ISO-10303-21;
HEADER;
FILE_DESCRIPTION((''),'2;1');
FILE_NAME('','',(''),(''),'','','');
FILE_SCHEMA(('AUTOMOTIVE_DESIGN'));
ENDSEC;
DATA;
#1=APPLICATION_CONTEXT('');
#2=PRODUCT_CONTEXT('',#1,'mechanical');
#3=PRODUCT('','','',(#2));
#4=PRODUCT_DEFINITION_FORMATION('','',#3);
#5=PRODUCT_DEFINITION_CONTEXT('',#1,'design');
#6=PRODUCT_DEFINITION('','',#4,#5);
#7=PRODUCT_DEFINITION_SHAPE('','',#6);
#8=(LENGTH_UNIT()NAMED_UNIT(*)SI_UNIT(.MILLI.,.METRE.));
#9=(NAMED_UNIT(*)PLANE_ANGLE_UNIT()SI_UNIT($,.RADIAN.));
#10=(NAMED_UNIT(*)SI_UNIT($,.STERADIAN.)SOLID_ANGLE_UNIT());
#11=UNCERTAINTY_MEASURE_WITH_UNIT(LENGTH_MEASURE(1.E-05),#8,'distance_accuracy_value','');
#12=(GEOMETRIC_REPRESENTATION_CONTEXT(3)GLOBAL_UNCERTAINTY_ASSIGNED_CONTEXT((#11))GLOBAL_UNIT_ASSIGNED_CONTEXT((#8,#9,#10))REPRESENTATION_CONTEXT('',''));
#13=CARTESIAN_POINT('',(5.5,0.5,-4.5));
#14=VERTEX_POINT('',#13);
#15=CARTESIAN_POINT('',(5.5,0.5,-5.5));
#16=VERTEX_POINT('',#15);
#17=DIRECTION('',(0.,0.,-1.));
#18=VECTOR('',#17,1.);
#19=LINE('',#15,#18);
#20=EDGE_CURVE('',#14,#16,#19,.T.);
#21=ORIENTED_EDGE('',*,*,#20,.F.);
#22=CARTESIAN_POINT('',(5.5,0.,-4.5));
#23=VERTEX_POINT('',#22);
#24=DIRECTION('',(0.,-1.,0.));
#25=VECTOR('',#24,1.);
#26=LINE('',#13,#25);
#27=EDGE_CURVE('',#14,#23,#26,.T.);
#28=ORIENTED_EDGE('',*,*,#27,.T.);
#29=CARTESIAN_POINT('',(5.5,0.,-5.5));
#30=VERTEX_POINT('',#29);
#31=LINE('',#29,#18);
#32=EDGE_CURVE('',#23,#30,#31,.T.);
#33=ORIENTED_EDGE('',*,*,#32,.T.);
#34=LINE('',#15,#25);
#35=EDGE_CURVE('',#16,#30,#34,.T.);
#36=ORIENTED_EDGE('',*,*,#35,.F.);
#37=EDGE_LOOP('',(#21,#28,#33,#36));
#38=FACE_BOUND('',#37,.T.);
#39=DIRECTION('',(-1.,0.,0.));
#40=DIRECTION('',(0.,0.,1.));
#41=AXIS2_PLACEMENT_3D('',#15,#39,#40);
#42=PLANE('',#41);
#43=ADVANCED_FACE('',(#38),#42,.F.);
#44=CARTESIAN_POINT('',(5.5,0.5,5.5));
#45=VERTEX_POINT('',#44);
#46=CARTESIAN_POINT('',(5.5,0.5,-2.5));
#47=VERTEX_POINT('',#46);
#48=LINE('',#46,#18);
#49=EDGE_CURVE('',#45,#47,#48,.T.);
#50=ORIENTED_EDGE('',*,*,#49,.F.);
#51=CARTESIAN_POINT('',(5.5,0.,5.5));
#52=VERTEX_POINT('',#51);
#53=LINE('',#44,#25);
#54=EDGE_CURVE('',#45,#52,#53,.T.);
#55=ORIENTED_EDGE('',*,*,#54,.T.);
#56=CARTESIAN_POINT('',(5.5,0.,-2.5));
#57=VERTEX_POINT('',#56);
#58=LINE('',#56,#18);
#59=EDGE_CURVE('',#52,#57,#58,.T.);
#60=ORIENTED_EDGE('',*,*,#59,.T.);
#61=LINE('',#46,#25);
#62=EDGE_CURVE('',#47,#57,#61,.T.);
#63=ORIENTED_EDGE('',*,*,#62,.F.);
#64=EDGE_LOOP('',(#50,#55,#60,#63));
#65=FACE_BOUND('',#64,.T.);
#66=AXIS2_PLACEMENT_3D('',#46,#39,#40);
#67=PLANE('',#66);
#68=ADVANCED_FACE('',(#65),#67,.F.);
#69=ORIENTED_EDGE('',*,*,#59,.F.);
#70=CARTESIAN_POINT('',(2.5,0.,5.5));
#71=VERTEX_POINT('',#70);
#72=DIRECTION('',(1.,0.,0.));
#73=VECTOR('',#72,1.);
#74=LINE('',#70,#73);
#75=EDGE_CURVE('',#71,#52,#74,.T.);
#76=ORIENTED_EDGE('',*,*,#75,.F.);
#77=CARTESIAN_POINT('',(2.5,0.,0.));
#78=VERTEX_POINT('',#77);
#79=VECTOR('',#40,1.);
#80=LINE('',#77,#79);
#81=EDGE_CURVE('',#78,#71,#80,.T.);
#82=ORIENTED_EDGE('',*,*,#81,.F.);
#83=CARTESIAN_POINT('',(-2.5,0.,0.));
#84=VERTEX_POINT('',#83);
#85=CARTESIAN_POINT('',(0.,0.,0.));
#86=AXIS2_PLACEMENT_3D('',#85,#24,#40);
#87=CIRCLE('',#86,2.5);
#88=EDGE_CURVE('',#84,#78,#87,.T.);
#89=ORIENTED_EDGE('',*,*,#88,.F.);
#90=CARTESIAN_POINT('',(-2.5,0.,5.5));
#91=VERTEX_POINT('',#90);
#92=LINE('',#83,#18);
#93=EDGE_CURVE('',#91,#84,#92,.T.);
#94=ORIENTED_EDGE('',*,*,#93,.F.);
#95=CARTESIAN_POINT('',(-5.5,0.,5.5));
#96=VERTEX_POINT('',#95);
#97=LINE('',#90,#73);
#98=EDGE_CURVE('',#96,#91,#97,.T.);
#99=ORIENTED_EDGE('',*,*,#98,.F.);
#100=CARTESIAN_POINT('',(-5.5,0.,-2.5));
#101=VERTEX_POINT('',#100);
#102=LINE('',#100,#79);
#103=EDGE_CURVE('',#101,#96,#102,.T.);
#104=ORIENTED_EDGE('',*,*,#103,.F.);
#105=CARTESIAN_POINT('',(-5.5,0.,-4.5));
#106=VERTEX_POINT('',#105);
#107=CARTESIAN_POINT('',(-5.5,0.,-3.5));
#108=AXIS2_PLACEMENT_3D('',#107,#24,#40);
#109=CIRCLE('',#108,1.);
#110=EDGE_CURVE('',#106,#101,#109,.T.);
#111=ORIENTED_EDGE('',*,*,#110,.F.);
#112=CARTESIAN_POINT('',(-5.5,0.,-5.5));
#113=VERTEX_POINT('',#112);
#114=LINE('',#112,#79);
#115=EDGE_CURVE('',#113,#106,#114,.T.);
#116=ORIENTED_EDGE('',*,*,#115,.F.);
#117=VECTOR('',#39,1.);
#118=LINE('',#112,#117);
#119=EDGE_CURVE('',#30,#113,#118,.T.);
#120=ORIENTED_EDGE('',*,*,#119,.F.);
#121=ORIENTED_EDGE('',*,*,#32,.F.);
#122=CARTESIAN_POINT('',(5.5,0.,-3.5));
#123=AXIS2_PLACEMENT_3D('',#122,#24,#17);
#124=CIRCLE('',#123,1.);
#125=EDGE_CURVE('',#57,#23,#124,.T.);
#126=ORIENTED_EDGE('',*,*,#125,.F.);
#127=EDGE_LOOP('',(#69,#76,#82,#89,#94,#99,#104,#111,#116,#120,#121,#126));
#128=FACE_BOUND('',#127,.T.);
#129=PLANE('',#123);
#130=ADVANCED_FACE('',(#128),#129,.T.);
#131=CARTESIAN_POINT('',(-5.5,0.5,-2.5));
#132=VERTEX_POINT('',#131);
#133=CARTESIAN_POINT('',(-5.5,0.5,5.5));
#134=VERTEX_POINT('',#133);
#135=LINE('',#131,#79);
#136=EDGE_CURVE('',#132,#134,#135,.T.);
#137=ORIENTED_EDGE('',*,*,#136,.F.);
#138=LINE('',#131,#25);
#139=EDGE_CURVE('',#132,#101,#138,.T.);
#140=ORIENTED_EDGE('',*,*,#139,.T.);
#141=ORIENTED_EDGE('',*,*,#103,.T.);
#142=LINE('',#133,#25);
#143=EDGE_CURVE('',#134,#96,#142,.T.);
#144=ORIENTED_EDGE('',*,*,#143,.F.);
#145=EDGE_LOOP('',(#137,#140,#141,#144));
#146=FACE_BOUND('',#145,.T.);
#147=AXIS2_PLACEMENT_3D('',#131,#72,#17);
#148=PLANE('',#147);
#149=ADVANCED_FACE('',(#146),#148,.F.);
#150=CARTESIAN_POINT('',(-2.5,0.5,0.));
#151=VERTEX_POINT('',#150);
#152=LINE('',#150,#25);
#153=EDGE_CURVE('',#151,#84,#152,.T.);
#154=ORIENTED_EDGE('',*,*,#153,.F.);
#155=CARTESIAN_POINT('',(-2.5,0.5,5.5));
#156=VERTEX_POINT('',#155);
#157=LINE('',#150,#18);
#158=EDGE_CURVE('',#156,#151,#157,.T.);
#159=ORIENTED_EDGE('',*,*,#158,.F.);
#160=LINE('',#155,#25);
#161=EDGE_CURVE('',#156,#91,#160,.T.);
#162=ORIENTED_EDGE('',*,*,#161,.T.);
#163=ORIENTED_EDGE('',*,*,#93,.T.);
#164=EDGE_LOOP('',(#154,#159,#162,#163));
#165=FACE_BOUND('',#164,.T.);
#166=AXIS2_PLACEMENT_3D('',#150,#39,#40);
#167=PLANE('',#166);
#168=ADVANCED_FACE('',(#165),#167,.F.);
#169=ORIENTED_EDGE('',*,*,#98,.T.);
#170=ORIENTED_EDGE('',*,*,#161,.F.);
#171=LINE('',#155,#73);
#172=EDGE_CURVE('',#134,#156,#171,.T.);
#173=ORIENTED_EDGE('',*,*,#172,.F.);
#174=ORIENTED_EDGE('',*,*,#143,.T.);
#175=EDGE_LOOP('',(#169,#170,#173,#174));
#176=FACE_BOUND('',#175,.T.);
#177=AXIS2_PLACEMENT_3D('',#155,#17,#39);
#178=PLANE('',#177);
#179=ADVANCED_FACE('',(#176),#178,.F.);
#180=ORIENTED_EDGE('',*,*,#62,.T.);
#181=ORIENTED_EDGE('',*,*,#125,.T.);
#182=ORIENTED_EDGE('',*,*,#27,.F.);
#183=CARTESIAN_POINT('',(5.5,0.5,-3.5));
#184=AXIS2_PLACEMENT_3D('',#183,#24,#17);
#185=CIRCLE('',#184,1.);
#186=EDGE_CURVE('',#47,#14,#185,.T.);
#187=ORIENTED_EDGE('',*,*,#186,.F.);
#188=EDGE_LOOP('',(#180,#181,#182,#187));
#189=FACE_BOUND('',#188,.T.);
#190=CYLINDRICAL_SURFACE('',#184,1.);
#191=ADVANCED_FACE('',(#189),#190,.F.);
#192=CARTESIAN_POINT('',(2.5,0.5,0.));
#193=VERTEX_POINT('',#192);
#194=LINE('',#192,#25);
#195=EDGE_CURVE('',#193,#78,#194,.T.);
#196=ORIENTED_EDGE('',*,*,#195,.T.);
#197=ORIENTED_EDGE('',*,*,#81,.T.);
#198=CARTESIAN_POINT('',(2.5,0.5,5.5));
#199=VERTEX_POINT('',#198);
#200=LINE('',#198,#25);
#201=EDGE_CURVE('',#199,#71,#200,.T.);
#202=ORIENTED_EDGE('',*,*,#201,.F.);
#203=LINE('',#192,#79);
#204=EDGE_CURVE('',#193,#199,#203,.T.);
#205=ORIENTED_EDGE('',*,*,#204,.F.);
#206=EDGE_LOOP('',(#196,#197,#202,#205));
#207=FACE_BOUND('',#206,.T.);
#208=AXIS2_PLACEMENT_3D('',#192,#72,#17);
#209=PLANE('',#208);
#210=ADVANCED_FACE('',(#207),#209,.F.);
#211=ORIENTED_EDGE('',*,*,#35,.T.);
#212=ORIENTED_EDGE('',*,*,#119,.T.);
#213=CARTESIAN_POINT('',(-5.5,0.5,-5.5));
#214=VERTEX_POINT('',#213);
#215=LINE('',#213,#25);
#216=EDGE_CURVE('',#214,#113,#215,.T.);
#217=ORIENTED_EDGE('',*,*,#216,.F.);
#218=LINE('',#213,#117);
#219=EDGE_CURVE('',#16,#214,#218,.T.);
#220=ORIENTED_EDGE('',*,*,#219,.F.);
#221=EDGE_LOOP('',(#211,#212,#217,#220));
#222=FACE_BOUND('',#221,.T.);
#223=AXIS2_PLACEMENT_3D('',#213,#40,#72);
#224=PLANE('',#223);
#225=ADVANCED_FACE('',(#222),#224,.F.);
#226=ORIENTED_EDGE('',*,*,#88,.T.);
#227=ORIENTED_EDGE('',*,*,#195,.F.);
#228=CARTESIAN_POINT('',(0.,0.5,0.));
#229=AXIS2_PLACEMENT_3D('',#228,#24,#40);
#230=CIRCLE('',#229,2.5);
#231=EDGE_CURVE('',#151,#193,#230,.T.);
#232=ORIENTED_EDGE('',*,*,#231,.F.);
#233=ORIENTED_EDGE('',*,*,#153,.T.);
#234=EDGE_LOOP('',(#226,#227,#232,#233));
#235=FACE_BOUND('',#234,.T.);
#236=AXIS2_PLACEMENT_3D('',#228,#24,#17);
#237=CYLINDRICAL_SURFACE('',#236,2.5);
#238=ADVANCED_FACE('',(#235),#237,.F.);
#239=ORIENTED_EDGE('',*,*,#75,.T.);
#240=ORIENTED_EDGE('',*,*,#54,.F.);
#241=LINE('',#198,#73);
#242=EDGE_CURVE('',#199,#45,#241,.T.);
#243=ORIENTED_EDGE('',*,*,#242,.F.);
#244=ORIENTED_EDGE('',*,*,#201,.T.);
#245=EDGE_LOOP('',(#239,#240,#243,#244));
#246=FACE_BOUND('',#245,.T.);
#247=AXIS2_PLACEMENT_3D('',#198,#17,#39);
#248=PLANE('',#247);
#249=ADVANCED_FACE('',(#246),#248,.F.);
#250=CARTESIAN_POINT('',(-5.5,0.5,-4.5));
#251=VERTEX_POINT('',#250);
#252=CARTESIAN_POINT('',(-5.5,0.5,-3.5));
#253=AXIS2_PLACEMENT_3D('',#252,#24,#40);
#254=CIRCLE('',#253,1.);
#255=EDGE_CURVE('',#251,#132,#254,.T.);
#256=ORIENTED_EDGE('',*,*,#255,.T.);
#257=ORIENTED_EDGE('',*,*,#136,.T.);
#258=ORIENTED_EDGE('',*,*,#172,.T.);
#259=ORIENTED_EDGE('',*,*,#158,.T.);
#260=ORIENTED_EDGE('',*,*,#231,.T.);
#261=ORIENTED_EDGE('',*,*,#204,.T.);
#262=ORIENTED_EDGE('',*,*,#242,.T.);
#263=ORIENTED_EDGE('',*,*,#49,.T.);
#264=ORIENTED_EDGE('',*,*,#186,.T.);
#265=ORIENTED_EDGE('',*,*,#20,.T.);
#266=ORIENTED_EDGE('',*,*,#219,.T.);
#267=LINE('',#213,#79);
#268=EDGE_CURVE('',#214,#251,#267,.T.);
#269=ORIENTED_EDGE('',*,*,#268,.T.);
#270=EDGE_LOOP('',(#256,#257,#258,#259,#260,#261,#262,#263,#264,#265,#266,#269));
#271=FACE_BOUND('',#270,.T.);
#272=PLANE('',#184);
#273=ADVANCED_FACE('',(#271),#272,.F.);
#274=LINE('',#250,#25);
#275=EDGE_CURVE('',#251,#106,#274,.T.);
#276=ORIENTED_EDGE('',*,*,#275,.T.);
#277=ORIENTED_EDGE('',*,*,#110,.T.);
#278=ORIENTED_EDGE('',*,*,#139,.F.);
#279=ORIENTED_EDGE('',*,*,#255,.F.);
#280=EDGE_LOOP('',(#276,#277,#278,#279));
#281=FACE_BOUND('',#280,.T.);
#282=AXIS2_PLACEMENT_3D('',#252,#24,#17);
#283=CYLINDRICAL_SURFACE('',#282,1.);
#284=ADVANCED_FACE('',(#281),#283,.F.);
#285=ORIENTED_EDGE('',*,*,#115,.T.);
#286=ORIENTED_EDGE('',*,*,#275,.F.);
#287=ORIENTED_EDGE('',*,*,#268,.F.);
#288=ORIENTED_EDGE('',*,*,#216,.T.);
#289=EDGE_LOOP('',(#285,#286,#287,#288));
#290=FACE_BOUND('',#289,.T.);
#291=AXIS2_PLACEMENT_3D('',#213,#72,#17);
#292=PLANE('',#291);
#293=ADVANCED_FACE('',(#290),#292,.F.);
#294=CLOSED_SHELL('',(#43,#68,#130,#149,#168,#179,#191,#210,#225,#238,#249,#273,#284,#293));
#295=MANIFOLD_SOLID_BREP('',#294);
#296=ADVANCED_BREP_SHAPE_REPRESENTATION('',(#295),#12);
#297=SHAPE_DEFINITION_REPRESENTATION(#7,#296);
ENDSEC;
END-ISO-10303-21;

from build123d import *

# Parameters (mm, degrees)
BOSS_EXTRUDE1_DEPTH = 0.5


with BuildPart() as part:
    # Sketch1 → Boss-Extrude1 (new body)
    with BuildSketch(Plane(origin=(0, 0, 0), x_dir=(1, 0, 0), z_dir=(0, 1, 0))):
        with BuildLine():
            Line((-5.5, 5.5), (-5.5, 4.5))
            ThreePointArc((-5.5, 4.5), (-4.5, 3.5), (-5.5, 2.5))
            Line((-5.5, 2.5), (-5.5, -5.5))
            Line((-5.5, -5.5), (-2.5, -5.5))
            Line((-2.5, -5.5), (-2.5, 0))
            ThreePointArc((-2.5, 0), (0, 2.5), (2.5, 0))
            Line((2.5, 0), (2.5, -5.5))
            Line((2.5, -5.5), (5.5, -5.5))
            Line((5.5, -5.5), (5.5, 2.5))
            ThreePointArc((5.5, 2.5), (4.5, 3.5), (5.5, 4.5))
            Line((5.5, 4.5), (5.5, 5.5))
            Line((5.5, 5.5), (-5.5, 5.5))
        make_face()
    extrude(amount=BOSS_EXTRUDE1_DEPTH)


solid = part.part
